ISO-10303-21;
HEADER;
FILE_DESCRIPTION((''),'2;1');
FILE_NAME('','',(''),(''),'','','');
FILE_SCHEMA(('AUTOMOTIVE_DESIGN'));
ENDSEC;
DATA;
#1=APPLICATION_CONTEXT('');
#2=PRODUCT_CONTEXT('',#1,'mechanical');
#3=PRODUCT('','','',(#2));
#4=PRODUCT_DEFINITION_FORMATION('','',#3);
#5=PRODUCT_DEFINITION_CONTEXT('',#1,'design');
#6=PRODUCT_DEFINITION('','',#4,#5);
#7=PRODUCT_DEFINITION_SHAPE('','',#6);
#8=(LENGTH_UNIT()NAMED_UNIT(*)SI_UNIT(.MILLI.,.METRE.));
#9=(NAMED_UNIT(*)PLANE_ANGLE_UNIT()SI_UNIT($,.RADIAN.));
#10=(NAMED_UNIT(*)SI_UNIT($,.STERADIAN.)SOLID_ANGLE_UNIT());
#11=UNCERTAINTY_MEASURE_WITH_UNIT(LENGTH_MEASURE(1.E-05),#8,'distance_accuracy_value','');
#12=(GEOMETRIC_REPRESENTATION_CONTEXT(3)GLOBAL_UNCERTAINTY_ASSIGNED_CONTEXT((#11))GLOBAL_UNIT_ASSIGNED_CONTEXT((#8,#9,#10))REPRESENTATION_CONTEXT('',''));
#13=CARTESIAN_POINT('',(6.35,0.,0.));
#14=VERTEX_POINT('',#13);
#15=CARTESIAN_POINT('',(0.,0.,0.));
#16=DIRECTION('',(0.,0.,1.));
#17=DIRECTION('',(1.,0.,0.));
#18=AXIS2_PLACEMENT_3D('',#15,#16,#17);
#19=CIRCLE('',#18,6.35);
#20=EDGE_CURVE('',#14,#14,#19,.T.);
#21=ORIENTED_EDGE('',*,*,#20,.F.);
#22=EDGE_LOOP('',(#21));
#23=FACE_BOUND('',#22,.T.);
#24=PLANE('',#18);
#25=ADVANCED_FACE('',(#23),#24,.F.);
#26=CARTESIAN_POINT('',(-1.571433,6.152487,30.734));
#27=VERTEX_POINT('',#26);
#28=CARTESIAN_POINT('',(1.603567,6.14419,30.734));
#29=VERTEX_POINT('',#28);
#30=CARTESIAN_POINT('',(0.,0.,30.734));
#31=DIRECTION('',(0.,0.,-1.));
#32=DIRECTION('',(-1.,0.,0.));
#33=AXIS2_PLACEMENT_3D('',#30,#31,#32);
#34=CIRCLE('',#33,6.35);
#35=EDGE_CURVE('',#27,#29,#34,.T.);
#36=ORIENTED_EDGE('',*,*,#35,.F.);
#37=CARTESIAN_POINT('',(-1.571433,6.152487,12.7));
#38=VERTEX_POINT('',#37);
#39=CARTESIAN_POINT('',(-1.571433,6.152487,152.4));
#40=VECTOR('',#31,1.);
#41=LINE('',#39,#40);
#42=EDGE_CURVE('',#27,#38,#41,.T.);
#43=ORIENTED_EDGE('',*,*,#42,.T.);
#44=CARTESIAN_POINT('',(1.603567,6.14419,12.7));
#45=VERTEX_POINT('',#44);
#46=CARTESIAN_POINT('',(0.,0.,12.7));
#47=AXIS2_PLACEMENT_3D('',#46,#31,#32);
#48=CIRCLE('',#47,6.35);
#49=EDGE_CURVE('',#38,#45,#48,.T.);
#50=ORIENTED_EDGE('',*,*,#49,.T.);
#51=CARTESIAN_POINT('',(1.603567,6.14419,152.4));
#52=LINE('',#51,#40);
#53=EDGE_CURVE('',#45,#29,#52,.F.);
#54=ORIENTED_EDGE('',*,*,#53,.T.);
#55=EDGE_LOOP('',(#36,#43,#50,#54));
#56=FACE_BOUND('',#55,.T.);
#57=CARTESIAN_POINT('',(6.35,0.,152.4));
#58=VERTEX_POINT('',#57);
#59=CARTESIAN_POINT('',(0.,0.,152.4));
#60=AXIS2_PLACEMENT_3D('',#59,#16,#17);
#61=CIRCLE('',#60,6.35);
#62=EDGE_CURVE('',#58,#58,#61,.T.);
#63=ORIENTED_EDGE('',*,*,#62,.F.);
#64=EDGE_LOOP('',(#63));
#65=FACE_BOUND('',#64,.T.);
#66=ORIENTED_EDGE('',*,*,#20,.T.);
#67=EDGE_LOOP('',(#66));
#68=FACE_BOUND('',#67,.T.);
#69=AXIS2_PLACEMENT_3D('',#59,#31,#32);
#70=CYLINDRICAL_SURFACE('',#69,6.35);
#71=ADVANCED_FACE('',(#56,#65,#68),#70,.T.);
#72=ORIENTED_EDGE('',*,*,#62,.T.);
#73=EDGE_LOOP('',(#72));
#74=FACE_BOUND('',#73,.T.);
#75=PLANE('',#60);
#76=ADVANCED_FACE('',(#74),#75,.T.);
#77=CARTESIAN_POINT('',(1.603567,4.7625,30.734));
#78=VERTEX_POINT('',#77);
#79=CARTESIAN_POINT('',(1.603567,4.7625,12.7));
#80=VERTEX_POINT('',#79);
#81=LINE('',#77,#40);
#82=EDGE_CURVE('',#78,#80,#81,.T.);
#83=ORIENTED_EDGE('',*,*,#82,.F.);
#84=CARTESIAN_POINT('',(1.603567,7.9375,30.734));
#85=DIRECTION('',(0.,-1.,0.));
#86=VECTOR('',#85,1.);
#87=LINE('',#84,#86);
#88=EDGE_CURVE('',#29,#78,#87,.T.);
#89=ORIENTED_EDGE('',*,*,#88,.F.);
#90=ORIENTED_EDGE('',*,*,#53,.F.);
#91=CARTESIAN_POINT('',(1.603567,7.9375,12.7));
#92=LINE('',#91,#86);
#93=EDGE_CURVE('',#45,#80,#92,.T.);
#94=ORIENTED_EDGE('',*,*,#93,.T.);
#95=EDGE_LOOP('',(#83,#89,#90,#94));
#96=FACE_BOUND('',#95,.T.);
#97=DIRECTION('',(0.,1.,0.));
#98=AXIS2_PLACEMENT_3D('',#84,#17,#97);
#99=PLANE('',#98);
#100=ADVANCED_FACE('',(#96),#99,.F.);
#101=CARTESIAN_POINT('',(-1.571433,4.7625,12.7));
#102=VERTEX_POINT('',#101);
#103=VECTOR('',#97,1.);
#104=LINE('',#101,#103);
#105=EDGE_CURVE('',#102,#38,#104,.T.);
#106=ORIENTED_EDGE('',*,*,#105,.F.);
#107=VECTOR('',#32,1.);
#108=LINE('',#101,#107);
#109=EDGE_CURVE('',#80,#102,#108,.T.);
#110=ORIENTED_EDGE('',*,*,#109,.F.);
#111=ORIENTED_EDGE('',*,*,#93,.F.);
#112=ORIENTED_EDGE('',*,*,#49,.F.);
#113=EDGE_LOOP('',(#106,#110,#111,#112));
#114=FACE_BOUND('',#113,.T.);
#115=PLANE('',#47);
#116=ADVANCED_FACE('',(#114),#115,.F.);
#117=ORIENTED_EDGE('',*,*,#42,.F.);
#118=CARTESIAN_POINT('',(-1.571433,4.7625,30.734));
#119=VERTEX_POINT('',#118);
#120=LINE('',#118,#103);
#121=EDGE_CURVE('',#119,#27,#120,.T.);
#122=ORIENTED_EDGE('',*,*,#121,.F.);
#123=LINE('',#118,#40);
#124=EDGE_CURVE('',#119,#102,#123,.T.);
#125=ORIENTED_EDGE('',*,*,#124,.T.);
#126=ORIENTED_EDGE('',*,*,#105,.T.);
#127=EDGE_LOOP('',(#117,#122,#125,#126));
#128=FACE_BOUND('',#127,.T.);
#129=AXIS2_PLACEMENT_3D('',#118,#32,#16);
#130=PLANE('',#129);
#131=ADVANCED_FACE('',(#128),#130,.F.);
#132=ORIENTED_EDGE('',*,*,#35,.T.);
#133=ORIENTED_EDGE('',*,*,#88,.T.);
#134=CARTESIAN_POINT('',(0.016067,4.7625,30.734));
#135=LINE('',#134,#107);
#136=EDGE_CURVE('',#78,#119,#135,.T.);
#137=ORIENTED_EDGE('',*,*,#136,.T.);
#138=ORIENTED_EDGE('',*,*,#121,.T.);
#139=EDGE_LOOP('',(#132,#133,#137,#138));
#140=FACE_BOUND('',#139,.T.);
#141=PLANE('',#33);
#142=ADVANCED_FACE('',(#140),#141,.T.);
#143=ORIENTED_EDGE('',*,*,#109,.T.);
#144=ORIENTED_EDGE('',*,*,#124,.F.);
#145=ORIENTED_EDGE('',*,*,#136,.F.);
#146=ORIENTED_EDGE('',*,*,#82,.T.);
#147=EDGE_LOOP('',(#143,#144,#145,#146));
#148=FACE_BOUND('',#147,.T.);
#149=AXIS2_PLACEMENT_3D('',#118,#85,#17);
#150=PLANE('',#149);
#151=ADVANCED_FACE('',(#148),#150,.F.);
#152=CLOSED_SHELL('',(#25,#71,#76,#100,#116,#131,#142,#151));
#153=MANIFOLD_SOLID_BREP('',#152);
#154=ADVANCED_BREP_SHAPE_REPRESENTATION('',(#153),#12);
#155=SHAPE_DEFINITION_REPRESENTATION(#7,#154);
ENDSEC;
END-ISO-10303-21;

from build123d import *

# Parameters (mm, degrees)
SKETCH1_R           = 6.35
BOSS_EXTRUDE1_DEPTH = 152.4
CUT_EXTRUDE1_DEPTH  = 18.034


with BuildPart() as part:
    # Sketch1 → Boss-Extrude1 (new body)
    with BuildSketch(Plane.XY):
        with Locations(Location((0, 0, 0), (0, 0, 180))):
            Circle(SKETCH1_R)
    extrude(amount=BOSS_EXTRUDE1_DEPTH)

    # Sketch2 → Cut-Extrude1 (cut)
    with BuildSketch(Plane(origin=(0, 0, 12.7), x_dir=(-1, 0, 0), z_dir=(0, 0, -1))):
        Polygon((1.571433325, 4.7625), (-0.016066675, 4.7625), (-1.603566675, 4.7625), (-1.603566675, 7.9375), (1.571433325, 7.9375), align=None)
    extrude(amount=-CUT_EXTRUDE1_DEPTH, mode=Mode.SUBTRACT)


solid = part.part
